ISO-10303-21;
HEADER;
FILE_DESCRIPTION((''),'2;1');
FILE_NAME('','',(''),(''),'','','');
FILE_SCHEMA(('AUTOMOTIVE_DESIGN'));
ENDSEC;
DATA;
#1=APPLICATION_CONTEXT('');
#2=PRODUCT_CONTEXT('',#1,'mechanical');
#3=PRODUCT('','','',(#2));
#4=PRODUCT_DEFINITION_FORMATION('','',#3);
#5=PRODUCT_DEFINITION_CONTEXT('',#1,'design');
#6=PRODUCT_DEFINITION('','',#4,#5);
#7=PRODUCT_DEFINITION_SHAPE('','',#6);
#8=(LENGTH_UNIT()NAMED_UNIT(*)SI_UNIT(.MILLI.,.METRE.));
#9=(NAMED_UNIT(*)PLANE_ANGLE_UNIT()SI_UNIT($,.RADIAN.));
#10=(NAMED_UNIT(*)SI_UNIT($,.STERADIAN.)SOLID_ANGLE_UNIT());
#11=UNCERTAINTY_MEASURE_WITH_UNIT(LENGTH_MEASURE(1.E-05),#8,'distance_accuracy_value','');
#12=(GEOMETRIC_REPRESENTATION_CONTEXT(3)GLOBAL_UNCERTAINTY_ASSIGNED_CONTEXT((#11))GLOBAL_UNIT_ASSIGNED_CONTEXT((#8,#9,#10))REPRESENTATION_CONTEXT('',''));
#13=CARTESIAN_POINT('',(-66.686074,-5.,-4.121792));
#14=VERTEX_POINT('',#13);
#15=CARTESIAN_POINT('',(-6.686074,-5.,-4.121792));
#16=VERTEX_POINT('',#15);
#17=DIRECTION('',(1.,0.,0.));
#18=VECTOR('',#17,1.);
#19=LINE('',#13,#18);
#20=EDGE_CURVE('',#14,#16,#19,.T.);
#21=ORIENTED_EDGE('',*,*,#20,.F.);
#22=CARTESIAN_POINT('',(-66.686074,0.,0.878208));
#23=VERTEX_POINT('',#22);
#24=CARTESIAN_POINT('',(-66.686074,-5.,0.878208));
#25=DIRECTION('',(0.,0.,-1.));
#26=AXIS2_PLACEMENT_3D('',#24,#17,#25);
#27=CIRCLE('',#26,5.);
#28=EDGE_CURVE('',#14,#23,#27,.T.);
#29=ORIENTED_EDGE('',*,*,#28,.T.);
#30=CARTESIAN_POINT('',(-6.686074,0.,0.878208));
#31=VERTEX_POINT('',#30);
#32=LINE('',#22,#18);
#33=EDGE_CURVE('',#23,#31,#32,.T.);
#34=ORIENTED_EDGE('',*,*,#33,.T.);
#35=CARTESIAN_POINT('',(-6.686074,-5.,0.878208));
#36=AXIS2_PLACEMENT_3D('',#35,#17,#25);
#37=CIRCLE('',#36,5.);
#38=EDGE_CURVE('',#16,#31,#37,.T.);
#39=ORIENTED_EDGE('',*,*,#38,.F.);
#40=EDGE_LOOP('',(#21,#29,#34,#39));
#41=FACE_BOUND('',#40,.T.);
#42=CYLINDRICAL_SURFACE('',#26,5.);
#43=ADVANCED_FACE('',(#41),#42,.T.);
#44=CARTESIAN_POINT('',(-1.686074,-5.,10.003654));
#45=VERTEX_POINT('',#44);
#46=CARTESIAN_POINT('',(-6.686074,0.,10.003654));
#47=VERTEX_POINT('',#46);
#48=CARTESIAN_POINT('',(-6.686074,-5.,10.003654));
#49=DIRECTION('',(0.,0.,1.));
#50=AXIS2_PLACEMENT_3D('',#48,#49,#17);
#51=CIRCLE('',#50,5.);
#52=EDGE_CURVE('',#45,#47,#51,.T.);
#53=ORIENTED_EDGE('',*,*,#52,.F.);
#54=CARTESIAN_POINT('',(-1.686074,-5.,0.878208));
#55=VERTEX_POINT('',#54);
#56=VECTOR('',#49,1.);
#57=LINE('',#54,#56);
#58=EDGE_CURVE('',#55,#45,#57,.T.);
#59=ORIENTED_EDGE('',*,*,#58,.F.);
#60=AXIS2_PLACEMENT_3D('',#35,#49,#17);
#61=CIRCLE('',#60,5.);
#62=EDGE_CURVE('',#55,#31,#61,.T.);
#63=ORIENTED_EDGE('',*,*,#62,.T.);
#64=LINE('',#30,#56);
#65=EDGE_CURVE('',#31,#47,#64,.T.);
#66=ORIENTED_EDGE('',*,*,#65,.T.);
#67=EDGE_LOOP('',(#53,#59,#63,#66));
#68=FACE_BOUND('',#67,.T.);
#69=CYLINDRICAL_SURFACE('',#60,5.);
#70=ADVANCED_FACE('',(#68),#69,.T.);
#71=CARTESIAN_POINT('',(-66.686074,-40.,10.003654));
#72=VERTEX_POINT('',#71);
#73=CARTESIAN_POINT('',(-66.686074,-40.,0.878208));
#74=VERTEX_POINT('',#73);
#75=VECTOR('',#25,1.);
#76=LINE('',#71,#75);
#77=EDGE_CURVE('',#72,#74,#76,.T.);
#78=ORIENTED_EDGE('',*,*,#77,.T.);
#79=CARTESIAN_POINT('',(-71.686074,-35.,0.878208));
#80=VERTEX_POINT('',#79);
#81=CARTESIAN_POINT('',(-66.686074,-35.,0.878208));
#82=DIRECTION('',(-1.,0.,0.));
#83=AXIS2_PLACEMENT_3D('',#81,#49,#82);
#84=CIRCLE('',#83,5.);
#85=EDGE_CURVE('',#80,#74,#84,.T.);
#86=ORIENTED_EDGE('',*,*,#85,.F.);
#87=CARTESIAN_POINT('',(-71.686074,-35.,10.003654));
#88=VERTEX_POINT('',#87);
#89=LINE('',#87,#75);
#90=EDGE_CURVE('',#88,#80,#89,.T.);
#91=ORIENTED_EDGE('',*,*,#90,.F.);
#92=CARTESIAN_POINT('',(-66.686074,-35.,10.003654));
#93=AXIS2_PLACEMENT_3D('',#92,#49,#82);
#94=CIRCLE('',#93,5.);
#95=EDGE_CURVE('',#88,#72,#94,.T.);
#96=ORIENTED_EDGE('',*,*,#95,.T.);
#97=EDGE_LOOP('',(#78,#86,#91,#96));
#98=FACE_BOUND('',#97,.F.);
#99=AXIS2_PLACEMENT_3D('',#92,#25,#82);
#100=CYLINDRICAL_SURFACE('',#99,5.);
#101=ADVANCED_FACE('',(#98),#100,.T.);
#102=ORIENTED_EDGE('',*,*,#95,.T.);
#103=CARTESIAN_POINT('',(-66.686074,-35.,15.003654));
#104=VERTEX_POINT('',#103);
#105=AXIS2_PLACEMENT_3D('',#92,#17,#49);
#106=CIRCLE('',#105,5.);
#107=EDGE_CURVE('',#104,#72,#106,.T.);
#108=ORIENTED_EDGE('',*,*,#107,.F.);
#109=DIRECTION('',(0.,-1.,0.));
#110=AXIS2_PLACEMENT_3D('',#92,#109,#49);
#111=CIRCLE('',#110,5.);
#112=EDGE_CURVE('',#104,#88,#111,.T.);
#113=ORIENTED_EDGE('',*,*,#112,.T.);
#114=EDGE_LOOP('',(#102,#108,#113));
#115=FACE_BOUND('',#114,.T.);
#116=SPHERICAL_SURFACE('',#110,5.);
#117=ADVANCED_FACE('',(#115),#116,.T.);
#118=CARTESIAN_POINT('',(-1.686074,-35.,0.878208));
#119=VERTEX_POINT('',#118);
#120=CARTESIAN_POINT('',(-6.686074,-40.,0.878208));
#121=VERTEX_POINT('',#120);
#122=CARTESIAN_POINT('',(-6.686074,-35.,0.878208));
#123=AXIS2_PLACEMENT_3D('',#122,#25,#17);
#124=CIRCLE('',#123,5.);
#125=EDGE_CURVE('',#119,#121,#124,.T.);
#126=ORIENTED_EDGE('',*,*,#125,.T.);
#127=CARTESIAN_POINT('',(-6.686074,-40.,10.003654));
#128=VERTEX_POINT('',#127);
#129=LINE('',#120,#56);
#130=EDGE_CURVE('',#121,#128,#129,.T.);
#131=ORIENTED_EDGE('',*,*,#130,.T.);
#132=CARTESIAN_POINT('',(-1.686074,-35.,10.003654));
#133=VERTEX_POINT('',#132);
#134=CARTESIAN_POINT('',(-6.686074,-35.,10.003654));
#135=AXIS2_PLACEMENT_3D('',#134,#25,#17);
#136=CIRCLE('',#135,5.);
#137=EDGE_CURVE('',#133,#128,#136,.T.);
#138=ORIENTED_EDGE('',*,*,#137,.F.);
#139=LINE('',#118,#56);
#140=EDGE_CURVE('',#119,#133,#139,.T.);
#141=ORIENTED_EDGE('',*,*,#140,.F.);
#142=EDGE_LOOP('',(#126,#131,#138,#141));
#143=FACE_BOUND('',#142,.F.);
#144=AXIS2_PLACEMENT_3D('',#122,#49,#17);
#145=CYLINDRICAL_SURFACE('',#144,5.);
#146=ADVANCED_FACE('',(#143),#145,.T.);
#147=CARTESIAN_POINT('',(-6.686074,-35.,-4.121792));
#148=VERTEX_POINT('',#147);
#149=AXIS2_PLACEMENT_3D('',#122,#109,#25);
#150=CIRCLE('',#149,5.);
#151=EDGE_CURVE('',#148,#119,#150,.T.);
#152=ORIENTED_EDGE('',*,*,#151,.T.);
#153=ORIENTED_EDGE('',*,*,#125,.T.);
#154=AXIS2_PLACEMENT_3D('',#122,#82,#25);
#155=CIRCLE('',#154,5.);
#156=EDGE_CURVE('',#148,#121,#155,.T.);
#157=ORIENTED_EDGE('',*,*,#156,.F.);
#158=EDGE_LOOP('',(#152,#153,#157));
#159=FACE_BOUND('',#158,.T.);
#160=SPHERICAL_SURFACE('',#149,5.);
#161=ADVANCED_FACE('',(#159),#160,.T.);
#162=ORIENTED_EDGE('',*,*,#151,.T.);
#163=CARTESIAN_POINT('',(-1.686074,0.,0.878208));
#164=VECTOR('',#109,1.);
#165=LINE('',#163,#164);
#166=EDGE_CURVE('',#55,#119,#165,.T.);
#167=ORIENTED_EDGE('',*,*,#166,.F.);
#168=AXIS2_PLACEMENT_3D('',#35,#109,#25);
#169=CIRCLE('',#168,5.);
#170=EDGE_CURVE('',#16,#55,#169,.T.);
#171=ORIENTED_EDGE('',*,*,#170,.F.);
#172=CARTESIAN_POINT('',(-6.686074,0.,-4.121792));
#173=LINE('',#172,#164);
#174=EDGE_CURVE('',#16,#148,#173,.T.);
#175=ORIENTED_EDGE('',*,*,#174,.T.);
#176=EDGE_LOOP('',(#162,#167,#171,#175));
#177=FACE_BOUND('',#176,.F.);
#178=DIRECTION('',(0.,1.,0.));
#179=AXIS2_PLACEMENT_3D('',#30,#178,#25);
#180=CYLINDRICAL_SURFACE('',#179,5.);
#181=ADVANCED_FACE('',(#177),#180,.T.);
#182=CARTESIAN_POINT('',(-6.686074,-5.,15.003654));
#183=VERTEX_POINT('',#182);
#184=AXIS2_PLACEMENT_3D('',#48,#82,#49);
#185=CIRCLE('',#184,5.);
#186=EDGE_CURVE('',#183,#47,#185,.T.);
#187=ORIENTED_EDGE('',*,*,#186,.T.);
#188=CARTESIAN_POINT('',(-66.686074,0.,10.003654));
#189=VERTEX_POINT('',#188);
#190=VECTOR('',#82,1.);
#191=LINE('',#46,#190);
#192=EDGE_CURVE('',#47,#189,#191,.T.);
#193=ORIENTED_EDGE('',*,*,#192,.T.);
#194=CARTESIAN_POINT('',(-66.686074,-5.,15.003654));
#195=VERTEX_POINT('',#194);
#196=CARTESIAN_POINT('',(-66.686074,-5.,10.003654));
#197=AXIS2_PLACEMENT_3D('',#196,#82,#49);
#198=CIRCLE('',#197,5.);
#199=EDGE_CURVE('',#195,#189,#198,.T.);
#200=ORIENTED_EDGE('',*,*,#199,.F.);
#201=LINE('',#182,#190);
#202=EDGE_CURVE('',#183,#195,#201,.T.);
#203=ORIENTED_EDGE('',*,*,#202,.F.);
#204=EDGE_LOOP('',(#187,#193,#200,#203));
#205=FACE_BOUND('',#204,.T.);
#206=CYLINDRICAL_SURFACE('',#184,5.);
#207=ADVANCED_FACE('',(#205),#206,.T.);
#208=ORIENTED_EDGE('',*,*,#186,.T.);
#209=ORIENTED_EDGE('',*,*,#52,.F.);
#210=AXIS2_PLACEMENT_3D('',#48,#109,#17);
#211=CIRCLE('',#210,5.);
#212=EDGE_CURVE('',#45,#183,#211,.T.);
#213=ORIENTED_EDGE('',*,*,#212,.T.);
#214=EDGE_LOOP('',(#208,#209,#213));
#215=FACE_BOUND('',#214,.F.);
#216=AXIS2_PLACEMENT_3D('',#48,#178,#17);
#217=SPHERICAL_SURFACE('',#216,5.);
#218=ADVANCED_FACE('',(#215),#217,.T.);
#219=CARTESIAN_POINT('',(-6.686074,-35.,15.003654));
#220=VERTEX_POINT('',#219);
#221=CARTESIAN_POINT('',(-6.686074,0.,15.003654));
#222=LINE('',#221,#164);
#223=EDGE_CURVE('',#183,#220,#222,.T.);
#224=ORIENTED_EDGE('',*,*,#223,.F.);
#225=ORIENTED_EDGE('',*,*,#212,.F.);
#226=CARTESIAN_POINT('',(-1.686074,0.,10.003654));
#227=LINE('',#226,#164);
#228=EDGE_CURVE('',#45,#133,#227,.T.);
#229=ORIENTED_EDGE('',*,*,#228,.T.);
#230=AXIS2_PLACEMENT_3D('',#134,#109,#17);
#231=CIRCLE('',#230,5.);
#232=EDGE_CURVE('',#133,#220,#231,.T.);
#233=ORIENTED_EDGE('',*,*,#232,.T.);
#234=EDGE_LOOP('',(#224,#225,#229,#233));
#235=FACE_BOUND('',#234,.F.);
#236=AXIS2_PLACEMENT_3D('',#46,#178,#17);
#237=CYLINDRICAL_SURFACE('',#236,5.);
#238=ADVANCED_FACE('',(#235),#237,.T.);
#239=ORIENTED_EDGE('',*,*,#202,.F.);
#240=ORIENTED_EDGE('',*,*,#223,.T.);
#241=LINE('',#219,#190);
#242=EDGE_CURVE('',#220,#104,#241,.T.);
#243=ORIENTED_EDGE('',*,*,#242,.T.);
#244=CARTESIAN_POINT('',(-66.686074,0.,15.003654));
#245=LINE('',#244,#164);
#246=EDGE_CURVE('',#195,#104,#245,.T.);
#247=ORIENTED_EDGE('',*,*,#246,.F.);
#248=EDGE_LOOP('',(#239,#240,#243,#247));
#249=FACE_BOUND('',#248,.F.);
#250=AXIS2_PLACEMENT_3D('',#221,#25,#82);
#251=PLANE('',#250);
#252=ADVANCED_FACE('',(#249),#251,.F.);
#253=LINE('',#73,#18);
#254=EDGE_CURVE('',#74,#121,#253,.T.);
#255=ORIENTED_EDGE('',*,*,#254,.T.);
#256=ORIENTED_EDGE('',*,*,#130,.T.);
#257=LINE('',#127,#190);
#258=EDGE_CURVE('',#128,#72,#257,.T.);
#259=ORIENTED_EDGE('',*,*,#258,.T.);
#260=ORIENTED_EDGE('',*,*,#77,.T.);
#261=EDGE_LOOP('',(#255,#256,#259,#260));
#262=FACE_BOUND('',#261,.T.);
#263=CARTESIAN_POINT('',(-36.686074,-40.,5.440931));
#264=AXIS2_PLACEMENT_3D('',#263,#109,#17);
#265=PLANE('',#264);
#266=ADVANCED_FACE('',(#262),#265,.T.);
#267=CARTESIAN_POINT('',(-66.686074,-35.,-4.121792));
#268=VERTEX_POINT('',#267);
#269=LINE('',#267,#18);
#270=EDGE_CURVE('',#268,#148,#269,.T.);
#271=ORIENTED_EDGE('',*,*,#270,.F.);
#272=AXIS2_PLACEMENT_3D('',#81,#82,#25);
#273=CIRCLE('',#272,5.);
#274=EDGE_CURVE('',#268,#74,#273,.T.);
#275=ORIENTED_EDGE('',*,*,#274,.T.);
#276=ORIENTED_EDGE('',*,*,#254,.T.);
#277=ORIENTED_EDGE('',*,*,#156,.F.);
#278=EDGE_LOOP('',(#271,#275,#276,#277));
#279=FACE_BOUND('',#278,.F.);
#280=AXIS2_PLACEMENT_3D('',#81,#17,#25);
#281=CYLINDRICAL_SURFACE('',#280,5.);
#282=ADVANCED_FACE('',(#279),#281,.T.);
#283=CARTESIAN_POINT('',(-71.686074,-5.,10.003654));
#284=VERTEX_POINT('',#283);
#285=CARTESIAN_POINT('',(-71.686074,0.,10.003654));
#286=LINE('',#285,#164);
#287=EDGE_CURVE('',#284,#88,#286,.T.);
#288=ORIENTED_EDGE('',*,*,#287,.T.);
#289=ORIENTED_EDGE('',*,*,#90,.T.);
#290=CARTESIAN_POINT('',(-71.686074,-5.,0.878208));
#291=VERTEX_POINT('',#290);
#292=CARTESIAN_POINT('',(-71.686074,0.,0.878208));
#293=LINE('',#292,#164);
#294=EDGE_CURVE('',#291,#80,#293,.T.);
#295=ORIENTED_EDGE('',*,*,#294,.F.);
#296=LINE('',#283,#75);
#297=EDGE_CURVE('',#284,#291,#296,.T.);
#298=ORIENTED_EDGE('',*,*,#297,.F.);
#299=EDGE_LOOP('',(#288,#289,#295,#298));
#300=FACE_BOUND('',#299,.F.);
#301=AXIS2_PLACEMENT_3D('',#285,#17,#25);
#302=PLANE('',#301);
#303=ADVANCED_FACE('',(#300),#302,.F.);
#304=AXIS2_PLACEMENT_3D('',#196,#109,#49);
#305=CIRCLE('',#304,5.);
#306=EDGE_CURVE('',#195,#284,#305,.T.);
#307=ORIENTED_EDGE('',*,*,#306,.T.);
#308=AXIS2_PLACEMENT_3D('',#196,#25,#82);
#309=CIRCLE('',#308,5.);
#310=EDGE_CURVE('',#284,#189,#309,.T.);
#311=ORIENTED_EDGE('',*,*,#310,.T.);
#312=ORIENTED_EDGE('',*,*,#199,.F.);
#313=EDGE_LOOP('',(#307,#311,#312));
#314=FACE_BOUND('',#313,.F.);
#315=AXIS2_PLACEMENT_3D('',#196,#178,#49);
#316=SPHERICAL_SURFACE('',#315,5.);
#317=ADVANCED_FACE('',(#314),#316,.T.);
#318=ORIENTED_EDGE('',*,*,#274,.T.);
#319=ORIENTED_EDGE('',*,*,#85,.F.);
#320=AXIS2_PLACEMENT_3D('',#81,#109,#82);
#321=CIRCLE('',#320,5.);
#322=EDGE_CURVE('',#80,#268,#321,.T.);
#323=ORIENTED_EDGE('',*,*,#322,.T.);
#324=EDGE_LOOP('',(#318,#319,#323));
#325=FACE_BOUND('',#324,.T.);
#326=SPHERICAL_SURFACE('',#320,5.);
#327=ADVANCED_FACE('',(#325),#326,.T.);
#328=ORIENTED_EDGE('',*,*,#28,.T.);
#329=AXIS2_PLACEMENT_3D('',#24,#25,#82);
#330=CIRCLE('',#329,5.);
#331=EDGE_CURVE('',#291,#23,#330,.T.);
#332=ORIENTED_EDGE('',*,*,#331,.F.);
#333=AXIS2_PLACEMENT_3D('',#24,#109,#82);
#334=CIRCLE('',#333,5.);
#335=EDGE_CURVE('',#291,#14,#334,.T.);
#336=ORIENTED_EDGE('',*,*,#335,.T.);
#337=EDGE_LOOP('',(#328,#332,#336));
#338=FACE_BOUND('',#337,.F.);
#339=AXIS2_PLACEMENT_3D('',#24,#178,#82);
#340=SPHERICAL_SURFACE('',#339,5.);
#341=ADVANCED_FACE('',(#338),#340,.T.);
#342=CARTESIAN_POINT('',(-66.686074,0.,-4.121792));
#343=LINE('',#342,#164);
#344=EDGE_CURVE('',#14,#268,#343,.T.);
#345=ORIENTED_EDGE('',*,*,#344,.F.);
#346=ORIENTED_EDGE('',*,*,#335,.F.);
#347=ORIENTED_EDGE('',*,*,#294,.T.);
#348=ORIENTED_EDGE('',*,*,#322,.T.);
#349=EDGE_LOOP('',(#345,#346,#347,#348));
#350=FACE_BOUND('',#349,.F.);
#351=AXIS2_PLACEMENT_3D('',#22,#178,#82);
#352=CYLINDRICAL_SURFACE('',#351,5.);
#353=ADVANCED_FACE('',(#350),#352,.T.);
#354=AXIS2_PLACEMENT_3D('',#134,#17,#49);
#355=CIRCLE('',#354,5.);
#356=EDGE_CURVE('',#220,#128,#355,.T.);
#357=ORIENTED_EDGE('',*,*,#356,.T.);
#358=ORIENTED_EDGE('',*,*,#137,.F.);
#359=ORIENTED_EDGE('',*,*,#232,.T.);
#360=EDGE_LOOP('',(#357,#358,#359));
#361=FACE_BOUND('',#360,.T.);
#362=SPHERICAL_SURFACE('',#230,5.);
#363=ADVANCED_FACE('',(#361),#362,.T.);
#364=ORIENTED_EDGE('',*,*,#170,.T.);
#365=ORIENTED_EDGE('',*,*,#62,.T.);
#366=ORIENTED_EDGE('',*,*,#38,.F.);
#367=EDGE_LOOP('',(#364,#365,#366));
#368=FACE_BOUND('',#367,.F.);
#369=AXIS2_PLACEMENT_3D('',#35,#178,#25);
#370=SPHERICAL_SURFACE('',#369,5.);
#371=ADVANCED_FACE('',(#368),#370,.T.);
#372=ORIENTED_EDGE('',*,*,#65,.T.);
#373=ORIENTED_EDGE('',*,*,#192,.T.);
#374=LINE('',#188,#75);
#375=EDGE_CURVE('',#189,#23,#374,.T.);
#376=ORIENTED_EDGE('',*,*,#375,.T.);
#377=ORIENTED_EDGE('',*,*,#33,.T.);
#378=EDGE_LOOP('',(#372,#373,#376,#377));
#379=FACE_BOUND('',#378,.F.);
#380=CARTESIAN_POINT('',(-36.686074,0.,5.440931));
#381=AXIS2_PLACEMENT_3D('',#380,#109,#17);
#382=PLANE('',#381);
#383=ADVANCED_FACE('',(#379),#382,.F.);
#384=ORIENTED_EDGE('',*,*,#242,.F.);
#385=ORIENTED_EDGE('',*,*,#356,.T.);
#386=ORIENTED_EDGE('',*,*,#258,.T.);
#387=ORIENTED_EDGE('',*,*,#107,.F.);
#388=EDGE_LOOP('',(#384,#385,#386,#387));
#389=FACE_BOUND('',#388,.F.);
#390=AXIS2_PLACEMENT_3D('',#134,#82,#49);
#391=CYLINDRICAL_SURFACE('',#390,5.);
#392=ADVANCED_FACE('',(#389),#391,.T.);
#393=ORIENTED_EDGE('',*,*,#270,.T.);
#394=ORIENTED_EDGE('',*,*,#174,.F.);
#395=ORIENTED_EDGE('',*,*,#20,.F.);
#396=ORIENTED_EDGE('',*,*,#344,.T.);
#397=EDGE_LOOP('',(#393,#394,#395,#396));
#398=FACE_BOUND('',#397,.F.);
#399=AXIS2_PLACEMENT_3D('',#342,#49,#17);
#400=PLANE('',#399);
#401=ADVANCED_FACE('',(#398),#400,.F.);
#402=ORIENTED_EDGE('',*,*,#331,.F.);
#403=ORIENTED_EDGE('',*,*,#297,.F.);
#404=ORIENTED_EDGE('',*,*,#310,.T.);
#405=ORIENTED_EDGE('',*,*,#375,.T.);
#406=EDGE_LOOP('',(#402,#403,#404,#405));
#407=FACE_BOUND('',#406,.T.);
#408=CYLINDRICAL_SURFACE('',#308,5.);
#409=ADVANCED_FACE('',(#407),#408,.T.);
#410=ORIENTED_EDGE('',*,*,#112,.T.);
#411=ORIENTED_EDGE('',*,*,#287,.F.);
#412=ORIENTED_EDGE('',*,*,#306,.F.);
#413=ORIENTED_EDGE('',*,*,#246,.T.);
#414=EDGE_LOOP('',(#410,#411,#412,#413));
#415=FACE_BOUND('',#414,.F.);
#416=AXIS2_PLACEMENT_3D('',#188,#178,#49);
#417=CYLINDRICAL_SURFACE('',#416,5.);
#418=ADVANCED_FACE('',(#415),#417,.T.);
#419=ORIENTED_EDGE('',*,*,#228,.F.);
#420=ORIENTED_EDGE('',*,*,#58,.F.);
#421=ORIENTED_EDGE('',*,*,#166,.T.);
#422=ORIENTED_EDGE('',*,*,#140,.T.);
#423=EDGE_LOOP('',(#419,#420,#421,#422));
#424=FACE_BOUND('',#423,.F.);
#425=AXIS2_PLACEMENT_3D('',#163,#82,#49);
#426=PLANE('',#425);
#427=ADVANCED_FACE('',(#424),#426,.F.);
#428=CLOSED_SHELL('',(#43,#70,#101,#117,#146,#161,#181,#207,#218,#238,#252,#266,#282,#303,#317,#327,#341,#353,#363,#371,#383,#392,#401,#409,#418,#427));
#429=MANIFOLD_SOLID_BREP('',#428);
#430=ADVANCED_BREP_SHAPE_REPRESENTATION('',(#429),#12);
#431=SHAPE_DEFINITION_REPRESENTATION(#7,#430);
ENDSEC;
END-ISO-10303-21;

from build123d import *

# Parameters (mm, degrees)
F1_DEPTH = 40
F2_R     = 5


with BuildPart() as f1:
    # F0 (on Front) → F1 (new body)
    with BuildSketch(Plane.XZ):
        with BuildLine():
            Line((-6.6860741377, 15.0036541745), (-66.6860741377, 15.0036541745))
            ThreePointArc((-66.6860741377, 15.0036541745), (-70.2216080436, 13.5391880804), (-71.6860741377, 10.0036541745))
            Line((-71.6860741377, 10.0036541745), (-71.6860741377, 0.8782084286))
            ThreePointArc((-71.6860741377, 0.8782084286), (-70.2216080436, -2.6573254773), (-66.6860741377, -4.1217915714))
            Line((-66.6860741377, -4.1217915714), (-6.6860741377, -4.1217915714))
            ThreePointArc((-6.6860741377, -4.1217915714), (-3.1505402318, -2.6573254773), (-1.6860741377, 0.8782084286))
            Line((-1.6860741377, 0.8782084286), (-1.6860741377, 10.0036541745))
            ThreePointArc((-1.6860741377, 10.0036541745), (-3.1505402318, 13.5391880804), (-6.6860741377, 15.0036541745))
        make_face()
    extrude(amount=F1_DEPTH)

    # F2
    f2_edges = [f1.edges().sort_by_distance(p)[0] for p in [
        (-70.221608, 0, -2.657325),
        (-6.686074, -20, 15.003654),
        (-66.686074, -20, 15.003654),
        (-36.686074, 0, 15.003654),
        (-36.686074, -40, 15.003654),
    ]]
    fillet(f2_edges, radius=F2_R)


solid = f1.part
